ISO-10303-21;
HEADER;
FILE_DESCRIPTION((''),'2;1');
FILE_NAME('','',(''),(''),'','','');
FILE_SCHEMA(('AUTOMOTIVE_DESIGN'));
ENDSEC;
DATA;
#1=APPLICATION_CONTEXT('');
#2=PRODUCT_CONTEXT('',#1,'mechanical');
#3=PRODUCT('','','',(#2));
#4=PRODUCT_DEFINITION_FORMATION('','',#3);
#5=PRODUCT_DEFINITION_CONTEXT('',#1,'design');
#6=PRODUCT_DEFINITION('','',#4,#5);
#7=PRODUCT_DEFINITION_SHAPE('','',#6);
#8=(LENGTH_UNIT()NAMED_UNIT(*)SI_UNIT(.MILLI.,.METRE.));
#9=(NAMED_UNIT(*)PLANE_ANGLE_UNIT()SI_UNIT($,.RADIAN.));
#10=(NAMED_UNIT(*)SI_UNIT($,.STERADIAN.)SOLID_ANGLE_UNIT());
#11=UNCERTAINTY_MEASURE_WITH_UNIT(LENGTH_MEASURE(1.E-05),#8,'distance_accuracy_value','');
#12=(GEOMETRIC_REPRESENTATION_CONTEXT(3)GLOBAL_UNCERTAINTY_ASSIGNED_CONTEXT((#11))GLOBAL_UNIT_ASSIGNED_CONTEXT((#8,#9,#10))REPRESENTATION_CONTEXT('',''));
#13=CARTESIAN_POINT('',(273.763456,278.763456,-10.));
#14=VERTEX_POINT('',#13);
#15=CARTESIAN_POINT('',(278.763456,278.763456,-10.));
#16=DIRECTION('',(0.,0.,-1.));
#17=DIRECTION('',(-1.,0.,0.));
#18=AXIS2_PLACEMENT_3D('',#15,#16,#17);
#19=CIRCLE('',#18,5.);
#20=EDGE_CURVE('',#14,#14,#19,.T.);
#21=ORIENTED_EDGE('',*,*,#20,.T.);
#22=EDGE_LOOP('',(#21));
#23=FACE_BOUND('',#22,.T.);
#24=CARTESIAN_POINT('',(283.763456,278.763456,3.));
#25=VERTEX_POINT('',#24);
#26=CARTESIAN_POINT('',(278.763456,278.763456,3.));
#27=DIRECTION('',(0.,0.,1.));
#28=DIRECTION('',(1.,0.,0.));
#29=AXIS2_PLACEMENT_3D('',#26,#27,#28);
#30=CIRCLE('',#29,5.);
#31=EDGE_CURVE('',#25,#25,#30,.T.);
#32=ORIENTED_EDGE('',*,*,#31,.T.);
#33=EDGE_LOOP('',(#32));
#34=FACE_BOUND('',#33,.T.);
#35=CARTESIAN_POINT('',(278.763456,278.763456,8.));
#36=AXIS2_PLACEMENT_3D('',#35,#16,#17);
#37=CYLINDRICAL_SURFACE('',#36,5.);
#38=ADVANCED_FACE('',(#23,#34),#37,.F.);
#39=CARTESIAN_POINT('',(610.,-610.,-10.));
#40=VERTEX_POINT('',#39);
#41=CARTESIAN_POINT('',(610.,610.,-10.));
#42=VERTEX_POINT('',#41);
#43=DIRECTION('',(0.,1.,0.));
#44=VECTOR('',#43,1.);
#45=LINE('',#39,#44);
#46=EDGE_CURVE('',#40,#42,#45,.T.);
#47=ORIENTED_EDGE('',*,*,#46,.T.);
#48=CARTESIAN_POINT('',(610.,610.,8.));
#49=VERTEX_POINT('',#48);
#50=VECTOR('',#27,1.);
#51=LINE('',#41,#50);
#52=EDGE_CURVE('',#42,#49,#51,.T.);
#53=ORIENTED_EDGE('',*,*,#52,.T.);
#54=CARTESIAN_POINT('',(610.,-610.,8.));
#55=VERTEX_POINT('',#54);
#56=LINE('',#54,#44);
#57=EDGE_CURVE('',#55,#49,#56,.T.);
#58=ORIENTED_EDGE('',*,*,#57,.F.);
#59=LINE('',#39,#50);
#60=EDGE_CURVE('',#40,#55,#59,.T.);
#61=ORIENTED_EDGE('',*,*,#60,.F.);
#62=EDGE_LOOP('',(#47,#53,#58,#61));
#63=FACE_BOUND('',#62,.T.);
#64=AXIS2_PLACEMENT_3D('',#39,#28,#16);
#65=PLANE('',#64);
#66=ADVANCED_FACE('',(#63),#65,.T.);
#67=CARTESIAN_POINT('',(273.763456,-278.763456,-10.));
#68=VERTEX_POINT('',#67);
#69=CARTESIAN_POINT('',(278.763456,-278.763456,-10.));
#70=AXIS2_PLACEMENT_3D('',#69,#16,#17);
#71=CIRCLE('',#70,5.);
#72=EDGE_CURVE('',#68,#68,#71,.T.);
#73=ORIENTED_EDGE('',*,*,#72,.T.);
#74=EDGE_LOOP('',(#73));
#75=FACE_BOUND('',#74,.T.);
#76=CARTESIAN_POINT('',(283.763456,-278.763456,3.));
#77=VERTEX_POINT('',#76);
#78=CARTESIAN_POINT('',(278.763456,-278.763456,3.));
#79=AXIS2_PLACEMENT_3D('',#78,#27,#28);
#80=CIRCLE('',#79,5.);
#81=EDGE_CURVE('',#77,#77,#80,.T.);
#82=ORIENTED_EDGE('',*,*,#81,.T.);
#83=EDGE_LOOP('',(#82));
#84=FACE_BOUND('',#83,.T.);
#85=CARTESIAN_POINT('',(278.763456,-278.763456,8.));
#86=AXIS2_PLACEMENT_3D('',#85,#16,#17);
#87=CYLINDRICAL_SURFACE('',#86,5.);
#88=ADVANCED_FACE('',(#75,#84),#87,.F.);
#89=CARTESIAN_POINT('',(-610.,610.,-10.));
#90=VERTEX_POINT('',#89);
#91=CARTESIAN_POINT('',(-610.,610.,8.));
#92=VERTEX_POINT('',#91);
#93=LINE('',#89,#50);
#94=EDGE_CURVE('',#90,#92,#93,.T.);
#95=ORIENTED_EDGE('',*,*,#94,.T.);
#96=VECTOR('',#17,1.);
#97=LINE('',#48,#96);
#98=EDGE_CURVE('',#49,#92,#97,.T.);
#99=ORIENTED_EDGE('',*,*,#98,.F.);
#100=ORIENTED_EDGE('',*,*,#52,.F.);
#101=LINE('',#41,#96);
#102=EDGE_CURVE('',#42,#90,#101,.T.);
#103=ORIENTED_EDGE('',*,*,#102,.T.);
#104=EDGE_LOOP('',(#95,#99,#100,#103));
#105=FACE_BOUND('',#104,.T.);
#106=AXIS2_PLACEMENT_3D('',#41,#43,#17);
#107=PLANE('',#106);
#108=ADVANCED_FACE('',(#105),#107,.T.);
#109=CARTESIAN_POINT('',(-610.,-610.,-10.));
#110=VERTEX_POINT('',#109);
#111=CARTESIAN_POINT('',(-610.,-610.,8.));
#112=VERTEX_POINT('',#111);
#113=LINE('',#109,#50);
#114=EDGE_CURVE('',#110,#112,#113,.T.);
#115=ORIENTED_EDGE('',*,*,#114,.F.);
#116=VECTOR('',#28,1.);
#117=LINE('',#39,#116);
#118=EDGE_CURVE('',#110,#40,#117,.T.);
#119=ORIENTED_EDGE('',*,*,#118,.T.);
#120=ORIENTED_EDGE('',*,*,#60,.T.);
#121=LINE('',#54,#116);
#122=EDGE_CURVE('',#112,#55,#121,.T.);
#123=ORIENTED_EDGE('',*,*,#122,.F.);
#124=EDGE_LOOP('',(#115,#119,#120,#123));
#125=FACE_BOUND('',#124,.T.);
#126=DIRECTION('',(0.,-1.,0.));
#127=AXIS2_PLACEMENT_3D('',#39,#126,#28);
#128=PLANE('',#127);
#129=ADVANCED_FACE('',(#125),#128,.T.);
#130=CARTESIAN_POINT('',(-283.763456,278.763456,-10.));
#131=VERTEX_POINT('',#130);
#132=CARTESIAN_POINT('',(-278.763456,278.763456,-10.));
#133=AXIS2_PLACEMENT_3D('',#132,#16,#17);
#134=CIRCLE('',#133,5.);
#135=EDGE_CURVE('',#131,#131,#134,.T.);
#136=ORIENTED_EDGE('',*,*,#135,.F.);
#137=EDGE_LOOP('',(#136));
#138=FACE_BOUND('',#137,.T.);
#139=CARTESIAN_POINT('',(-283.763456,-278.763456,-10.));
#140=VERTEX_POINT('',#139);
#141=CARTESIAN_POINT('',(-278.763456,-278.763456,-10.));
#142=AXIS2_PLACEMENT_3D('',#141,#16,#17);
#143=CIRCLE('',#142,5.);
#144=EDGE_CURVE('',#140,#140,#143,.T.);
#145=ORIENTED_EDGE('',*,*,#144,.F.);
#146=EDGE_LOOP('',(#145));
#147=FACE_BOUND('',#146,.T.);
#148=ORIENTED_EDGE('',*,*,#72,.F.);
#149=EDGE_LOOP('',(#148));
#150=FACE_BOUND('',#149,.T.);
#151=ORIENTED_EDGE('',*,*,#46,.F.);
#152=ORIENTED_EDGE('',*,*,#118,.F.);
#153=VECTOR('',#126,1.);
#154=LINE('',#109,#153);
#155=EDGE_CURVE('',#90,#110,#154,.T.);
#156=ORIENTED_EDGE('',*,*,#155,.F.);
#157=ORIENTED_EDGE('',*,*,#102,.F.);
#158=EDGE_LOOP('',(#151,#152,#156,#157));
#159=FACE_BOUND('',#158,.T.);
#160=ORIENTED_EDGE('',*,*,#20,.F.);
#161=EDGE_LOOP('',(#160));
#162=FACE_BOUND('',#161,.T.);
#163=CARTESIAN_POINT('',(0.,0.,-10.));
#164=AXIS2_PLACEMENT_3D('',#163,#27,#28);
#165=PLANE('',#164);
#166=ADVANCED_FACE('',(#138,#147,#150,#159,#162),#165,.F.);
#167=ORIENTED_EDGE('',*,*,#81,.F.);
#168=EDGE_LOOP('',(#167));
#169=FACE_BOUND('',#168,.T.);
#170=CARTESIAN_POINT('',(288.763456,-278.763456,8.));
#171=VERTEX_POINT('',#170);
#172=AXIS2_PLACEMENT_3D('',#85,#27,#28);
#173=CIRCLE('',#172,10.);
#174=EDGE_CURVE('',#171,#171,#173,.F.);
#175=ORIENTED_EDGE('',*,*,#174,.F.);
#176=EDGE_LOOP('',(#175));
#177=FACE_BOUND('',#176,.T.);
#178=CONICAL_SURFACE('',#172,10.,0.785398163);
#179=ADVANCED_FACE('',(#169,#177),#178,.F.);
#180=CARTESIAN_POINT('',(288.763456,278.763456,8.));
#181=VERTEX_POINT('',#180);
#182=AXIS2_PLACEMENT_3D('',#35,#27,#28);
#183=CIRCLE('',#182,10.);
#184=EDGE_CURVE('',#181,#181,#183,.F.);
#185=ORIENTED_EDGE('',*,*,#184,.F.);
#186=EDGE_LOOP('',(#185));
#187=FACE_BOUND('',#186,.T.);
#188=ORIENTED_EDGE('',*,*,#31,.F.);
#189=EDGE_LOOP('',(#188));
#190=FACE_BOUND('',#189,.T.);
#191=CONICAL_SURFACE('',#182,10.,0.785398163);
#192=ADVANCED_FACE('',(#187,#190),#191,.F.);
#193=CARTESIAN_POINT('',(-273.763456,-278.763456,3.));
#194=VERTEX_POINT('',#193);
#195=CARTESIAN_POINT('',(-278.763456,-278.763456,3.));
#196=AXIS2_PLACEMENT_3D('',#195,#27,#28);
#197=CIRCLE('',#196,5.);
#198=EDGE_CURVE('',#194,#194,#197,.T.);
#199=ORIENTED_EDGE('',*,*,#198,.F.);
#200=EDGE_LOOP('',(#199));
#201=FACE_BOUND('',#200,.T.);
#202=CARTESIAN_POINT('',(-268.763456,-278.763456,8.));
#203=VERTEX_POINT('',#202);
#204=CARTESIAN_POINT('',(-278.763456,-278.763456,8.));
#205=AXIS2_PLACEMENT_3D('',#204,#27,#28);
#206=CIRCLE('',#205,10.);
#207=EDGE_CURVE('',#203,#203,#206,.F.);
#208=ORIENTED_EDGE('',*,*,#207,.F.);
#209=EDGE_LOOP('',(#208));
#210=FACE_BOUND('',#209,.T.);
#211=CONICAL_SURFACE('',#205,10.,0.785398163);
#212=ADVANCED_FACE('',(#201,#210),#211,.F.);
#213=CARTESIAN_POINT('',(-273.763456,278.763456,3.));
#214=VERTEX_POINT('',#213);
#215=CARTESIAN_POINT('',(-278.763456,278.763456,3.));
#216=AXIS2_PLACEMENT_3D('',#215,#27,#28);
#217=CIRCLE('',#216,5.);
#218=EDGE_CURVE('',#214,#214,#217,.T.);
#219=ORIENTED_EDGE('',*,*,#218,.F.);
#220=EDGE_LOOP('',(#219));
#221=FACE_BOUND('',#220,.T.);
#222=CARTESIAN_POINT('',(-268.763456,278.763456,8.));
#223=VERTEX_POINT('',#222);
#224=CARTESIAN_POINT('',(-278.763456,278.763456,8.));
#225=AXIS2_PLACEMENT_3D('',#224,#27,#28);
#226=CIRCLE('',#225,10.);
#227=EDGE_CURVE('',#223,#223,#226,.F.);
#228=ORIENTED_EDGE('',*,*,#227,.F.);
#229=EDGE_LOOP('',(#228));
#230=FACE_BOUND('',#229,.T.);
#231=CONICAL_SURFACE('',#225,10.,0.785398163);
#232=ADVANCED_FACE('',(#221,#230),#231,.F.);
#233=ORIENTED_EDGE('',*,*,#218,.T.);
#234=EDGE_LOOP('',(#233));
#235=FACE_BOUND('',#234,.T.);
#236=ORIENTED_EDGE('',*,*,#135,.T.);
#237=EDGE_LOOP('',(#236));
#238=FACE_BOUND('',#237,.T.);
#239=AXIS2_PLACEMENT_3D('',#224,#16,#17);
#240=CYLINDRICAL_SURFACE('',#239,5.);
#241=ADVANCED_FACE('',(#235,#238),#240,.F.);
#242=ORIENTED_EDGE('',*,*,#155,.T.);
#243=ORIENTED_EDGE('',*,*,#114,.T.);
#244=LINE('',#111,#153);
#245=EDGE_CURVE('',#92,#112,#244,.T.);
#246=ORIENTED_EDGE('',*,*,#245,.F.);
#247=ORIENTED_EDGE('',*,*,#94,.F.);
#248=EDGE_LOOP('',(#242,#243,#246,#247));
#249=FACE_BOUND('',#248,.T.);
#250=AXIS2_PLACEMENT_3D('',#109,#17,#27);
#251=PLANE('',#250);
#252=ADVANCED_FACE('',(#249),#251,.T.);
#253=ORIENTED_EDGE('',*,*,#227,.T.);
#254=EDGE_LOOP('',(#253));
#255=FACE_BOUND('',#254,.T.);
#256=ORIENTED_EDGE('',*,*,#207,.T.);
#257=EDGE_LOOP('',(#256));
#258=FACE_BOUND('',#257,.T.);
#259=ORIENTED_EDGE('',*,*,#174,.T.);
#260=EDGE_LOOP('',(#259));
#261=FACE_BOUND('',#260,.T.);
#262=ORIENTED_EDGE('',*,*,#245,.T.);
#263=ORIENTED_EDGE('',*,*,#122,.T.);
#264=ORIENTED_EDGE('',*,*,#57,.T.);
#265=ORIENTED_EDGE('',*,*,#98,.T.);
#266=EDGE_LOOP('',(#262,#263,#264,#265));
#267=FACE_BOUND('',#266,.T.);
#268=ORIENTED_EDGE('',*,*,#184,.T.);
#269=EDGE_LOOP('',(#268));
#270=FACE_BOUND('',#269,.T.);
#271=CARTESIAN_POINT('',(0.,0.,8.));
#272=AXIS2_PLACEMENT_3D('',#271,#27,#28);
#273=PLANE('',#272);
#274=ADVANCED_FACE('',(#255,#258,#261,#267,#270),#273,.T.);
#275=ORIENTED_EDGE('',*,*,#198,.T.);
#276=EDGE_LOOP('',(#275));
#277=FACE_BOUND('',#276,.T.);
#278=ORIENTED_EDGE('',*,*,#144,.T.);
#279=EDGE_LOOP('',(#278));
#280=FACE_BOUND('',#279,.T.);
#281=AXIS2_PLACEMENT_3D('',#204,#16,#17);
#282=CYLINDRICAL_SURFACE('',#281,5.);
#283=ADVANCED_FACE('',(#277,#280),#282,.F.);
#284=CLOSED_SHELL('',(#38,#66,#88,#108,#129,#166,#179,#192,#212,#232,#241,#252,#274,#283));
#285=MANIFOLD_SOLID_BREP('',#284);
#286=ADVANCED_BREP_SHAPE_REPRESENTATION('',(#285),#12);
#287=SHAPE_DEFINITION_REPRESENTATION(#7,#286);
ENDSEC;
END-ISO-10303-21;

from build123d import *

# Parameters (mm, degrees)
BOSS_EXTRUDE1_START = 8
SKETCH1_W           = 1220
SKETCH1_H           = 1220
BOSS_EXTRUDE1_DEPTH = 18
SKETCH2_R           = 5
CUT_EXTRUDE1_DEPTH  = 19
CHAMFER1_SIZE       = 5


with BuildPart() as part:
    # Sketch1 → Boss-Extrude1 (new body)
    with BuildSketch(Plane.XY.offset(BOSS_EXTRUDE1_START)):
        Rectangle(SKETCH1_W, SKETCH1_H)
    extrude(amount=-BOSS_EXTRUDE1_DEPTH)

    # Sketch2 → Cut-Extrude1 (cut, through all)
    with BuildSketch(Plane(origin=(0, 0, -10), x_dir=(-1, 0, 0), z_dir=(0, 0, -1))):
        with Locations((-278.763455967, 278.763455967)):
            Circle(SKETCH2_R)
        with Locations((-278.763455967, -278.763455967)):
            Circle(SKETCH2_R)
        with Locations((278.763455967, -278.763455967)):
            Circle(SKETCH2_R)
        with Locations((278.763455967, 278.763455967)):
            Circle(SKETCH2_R)
    extrude(amount=-CUT_EXTRUDE1_DEPTH, mode=Mode.SUBTRACT)

    # Chamfer1
    chamfer1_edges = [part.edges().sort_by_distance(p)[0] for p in [
        (-273.763455967, 278.763455967, 8),
        (-273.763455967, -278.763455967, 8),
        (283.763455967, -278.763455967, 8),
        (283.763455967, 278.763455967, 8),
    ]]
    chamfer(chamfer1_edges, length=CHAMFER1_SIZE)


solid = part.part
